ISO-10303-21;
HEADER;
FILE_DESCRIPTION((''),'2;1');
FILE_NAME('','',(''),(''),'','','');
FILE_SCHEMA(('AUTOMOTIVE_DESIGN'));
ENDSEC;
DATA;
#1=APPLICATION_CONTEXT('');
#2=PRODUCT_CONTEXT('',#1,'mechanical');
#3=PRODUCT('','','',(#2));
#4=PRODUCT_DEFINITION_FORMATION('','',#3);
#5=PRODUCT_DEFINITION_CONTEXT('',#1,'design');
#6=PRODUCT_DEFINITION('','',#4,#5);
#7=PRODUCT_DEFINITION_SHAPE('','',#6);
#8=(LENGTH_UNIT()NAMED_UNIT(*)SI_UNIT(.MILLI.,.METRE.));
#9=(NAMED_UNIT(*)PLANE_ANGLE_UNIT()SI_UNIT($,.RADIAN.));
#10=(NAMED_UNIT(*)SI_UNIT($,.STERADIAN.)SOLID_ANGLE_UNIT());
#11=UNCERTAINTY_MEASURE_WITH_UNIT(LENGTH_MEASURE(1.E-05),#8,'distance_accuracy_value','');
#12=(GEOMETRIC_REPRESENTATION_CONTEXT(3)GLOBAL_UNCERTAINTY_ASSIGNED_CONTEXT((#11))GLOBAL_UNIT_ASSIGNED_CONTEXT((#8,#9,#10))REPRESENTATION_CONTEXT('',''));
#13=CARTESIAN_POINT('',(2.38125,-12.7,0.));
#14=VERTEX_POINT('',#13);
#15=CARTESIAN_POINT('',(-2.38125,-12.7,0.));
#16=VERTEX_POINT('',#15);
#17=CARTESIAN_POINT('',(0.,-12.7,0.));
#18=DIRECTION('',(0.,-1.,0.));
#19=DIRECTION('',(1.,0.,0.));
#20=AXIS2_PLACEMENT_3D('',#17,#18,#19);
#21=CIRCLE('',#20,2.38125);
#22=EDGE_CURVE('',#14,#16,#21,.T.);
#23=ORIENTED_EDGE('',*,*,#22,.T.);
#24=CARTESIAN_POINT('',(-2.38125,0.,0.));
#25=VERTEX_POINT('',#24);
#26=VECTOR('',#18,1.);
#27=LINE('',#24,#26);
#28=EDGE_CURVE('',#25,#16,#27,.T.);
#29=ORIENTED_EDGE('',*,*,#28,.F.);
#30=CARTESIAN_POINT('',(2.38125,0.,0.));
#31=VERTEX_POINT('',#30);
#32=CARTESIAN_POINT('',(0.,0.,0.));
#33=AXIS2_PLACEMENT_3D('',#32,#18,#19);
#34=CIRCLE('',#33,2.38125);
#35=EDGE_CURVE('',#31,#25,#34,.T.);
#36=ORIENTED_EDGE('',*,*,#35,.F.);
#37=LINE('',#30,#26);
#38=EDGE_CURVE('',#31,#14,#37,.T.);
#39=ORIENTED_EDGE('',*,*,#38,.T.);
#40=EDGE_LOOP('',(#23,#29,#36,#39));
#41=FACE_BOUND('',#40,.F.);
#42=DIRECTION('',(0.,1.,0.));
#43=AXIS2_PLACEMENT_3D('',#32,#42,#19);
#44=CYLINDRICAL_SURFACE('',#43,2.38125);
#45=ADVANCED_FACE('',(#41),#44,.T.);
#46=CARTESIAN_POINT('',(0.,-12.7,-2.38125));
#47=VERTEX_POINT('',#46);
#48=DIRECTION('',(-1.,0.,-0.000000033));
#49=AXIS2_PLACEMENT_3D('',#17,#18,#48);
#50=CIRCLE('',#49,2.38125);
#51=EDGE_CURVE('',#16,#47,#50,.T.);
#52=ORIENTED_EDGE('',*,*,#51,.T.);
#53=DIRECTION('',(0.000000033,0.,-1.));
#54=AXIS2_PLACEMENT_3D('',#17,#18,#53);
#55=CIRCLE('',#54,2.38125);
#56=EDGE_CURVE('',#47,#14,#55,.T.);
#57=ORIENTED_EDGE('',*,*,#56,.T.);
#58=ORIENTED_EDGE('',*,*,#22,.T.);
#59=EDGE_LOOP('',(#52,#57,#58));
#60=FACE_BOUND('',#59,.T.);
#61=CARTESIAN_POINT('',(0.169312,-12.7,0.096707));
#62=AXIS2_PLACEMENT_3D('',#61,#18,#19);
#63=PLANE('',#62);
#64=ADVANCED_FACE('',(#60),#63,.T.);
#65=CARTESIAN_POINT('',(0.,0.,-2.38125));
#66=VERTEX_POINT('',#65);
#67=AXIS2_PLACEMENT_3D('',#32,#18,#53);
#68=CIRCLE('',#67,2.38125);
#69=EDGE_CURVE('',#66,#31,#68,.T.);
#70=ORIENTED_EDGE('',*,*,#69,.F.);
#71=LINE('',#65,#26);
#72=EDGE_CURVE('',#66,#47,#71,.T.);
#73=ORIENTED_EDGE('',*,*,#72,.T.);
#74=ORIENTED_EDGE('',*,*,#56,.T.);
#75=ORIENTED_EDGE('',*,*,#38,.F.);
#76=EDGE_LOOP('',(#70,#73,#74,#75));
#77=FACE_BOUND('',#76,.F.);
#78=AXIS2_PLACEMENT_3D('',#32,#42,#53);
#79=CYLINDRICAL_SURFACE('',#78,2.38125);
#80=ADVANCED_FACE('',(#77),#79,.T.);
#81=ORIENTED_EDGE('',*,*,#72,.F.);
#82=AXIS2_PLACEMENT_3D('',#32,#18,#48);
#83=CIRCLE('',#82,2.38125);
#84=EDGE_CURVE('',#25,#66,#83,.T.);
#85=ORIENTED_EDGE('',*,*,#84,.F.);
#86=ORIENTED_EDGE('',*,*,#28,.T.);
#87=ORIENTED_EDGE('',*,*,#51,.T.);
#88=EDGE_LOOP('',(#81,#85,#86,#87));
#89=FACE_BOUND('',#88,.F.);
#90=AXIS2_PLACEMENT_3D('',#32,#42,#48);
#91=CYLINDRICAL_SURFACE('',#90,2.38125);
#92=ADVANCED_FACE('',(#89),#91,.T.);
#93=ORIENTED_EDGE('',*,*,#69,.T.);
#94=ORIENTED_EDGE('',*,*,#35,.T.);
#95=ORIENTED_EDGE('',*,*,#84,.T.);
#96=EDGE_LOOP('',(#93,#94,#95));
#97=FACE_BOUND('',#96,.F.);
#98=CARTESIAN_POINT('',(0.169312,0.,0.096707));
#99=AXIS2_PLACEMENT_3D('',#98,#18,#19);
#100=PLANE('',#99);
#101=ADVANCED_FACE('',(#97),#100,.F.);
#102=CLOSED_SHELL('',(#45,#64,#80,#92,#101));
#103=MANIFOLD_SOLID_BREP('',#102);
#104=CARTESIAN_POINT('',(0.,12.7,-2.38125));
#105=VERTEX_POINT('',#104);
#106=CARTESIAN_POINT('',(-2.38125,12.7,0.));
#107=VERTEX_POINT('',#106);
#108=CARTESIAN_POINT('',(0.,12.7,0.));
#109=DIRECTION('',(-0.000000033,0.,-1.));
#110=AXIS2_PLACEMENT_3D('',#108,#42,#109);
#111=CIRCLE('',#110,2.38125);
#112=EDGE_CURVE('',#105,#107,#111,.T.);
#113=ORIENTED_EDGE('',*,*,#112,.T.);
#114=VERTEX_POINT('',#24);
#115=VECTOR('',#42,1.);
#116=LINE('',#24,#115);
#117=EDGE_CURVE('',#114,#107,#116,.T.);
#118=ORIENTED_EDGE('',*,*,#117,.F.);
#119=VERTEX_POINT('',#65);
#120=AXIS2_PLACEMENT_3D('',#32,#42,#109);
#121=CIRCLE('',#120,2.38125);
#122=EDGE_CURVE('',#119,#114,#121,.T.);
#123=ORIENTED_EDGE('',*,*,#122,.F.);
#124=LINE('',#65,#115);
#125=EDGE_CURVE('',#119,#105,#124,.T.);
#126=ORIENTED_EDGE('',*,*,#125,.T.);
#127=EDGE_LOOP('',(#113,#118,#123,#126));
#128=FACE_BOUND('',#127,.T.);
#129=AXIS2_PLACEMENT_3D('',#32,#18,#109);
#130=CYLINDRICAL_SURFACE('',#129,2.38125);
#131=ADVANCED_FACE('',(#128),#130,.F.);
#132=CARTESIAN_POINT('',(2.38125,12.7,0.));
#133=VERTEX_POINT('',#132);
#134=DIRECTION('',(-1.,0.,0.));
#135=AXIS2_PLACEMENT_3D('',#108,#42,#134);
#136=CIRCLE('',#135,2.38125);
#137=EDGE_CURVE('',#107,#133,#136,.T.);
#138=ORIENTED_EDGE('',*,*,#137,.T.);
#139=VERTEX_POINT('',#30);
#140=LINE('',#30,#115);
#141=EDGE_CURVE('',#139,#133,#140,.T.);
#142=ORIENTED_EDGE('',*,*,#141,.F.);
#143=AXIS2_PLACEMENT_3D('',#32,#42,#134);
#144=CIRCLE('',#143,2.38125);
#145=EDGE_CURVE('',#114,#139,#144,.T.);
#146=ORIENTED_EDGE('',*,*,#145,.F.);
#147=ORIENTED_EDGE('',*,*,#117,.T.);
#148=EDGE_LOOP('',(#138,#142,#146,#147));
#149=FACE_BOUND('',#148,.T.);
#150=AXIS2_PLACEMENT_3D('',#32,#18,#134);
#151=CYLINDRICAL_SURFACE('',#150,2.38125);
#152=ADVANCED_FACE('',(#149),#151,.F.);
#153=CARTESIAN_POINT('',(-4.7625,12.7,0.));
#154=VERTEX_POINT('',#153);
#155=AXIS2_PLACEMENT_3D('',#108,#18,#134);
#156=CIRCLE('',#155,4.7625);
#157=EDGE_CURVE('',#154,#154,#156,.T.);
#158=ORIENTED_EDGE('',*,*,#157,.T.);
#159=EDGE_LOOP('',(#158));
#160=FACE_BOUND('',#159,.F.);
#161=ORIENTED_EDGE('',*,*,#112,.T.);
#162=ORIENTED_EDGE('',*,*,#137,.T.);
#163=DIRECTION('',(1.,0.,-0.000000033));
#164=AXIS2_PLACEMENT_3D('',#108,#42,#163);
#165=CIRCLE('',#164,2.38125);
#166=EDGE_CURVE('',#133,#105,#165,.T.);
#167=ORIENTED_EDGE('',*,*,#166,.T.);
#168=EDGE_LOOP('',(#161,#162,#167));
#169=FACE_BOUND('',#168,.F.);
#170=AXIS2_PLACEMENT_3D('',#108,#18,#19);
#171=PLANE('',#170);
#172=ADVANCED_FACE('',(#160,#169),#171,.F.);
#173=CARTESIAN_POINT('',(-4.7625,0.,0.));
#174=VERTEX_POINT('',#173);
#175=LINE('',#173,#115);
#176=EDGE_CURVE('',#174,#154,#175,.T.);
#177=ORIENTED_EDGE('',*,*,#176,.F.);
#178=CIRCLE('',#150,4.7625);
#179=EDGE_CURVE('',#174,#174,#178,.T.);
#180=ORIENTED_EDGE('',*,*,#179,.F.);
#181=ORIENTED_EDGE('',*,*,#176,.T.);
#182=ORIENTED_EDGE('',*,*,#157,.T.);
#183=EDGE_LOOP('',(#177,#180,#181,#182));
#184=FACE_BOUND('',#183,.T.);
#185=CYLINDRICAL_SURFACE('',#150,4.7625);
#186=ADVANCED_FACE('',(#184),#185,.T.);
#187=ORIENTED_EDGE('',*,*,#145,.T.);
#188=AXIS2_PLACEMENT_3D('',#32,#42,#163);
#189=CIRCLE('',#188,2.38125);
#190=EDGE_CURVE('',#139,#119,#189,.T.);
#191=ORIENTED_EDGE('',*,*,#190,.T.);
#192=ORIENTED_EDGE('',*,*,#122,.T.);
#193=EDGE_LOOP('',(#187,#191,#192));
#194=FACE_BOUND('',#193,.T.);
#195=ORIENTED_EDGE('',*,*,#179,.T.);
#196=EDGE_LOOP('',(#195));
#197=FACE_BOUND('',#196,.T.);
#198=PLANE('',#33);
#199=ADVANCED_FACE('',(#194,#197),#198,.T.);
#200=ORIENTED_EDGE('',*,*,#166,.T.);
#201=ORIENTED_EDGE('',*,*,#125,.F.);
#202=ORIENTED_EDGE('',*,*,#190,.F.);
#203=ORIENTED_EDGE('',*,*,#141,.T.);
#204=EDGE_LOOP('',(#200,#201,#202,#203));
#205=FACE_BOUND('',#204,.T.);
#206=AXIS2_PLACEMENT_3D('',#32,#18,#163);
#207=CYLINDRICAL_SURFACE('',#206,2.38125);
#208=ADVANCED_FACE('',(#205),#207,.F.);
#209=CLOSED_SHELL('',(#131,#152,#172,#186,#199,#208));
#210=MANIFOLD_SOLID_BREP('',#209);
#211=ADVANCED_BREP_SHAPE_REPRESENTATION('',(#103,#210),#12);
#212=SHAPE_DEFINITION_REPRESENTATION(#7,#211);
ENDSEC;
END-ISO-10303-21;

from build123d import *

# Parameters (mm, degrees)
F1_DEPTH = 12.7
F2_DEPTH = 12.7


with BuildPart() as f1:
    # F0 (on Front) → F1 (new body)
    with BuildSketch(Plane.XZ):
        with BuildLine():
            ThreePointArc((4.7625, 0), (0, 4.7625), (-4.7625, 0))
            ThreePointArc((-4.7625, 0), (0, -4.7625), (4.7625, 0))
        make_face()
        with BuildLine():
            ThreePointArc((0, -2.38125), (-1.683798, -1.683798), (-2.38125, 0))
            ThreePointArc((-2.38125, 0), (0, 2.38125), (2.38125, 0))
            ThreePointArc((2.38125, 0), (1.683798, -1.683798), (0, -2.38125))
        make_face(mode=Mode.SUBTRACT)
    extrude(amount=-F1_DEPTH)


with BuildPart() as f2:
    # F0 (on Front) → F2 (new body)
    with BuildSketch(Plane.XZ):
        with BuildLine():
            Line((-2.38125, 0), (0, 0))
            Line((0, 0), (0, -2.38125))
            ThreePointArc((0, -2.38125), (1.683798, -1.683798), (2.38125, 0))
            ThreePointArc((2.38125, 0), (0, 2.38125), (-2.38125, 0))
        make_face()
        with BuildLine():
            Line((0, -2.38125), (0, 0))
            Line((0, 0), (-2.38125, 0))
            ThreePointArc((-2.38125, 0), (-1.683798, -1.683798), (0, -2.38125))
        make_face()
    extrude(amount=F2_DEPTH)


solid = Compound([f1.part, f2.part])
